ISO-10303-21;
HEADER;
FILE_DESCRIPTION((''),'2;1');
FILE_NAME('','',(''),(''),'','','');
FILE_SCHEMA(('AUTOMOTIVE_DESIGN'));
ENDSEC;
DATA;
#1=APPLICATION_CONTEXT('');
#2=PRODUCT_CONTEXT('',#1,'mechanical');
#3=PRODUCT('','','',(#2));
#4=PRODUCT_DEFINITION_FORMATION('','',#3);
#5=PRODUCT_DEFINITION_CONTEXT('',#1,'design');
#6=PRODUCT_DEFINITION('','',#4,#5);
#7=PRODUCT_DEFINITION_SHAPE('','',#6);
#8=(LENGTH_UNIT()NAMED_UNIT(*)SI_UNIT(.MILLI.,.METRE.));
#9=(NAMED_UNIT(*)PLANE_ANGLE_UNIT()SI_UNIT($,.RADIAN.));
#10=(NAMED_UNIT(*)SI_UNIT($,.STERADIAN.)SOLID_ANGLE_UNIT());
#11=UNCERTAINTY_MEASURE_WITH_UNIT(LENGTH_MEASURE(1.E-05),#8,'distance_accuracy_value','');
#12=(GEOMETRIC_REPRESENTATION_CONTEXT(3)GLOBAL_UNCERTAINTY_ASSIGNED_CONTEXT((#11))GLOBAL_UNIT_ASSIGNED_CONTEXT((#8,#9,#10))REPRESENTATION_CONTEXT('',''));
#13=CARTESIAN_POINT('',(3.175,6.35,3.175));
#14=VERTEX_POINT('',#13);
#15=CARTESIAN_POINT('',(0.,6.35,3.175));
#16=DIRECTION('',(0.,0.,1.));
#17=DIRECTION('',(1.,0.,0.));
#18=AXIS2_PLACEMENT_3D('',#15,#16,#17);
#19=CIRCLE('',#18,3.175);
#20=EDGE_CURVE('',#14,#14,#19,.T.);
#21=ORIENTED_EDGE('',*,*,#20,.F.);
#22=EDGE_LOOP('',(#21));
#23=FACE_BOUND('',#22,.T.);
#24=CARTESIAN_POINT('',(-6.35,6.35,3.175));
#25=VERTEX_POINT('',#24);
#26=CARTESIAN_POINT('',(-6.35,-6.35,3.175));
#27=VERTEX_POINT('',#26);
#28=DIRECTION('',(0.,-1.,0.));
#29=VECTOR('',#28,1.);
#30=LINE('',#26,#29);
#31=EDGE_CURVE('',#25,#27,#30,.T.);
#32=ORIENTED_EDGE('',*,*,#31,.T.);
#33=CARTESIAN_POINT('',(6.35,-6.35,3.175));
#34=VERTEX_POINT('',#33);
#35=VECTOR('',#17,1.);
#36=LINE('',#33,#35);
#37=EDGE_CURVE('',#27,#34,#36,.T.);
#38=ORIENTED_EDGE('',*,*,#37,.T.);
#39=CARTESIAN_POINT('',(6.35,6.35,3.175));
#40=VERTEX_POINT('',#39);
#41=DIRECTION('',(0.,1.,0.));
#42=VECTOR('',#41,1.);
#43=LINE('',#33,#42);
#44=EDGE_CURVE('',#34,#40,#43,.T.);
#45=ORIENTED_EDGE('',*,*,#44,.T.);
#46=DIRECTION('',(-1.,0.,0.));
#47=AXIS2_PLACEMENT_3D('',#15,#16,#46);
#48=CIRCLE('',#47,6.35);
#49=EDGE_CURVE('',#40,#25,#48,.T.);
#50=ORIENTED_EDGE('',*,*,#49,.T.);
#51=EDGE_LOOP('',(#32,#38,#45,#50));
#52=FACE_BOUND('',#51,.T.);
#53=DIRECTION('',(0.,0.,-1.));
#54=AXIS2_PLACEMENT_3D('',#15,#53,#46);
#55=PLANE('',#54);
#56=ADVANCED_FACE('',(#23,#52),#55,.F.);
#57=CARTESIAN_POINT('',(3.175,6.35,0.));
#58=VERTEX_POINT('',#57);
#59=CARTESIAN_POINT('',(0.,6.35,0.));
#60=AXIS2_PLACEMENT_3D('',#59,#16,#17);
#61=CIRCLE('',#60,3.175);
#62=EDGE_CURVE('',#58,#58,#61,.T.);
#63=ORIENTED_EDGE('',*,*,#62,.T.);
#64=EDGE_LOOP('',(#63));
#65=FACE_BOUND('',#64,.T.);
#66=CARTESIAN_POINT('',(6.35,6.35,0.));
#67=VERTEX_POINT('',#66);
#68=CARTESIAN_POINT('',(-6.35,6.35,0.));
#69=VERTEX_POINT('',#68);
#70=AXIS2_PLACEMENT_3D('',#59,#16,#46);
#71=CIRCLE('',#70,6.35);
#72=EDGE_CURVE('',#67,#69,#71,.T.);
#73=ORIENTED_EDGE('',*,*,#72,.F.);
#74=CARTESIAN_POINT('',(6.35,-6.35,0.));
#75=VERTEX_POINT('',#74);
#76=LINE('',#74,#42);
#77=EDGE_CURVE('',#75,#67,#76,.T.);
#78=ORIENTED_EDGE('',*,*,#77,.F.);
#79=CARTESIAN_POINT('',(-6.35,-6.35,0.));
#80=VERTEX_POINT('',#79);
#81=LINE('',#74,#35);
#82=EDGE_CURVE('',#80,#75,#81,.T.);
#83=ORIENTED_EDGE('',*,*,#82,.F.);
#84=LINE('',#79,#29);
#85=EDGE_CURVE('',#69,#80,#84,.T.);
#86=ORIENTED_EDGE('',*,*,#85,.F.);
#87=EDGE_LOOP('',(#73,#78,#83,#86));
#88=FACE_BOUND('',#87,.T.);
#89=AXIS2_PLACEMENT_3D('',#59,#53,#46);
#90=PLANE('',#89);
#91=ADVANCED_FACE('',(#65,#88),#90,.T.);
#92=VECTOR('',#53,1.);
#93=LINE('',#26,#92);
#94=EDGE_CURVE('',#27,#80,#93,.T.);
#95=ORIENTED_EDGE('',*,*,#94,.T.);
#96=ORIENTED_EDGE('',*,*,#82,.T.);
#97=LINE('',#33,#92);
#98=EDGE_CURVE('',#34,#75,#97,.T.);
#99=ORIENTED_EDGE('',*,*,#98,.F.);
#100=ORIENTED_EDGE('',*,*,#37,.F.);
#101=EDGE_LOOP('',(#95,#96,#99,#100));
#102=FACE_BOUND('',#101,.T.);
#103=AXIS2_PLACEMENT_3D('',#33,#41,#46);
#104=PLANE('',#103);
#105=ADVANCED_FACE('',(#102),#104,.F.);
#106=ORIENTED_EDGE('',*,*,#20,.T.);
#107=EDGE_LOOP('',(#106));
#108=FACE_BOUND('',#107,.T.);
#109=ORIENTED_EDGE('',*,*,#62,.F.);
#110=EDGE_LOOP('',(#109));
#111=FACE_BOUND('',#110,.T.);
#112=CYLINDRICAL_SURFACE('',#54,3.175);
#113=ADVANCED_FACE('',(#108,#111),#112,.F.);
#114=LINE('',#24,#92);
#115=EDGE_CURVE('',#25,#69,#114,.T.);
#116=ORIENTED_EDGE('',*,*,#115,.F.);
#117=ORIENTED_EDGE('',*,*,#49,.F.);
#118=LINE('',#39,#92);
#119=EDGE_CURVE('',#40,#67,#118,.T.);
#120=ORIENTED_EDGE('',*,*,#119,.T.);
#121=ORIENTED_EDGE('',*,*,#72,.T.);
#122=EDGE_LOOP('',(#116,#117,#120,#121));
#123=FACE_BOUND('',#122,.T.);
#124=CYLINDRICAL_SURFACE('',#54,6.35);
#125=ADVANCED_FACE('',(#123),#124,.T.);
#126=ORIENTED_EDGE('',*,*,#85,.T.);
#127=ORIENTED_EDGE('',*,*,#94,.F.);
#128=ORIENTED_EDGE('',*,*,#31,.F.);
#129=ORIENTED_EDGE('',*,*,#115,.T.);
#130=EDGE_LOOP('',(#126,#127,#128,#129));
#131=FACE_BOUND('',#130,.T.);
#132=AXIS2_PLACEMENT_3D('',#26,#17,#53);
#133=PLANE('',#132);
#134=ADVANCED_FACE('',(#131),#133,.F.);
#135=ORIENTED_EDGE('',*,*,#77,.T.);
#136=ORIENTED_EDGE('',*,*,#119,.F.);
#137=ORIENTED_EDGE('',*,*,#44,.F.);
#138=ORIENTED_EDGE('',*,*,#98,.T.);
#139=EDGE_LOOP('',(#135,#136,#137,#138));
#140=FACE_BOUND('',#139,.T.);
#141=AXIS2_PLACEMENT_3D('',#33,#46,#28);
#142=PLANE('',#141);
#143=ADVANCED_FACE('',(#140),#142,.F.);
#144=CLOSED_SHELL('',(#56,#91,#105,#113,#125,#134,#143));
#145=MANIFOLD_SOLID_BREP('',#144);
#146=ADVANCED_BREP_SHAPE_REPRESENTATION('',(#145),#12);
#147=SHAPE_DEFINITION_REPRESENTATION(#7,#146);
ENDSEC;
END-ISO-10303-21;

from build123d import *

# Parameters (mm, degrees)
SKETCH1_R           = 3.175
BOSS_EXTRUDE1_DEPTH = 3.175


with BuildPart() as part:
    # Sketch1 → Boss-Extrude1 (new body)
    with BuildSketch(Plane.XY):
        with BuildLine():
            Line((6.35, -6.35), (-6.35, -6.35))
            Line((-6.35, -6.35), (-6.35, 6.35))
            ThreePointArc((-6.35, 6.35), (0, 12.7), (6.35, 6.35))
            Line((6.35, 6.35), (6.35, -6.35))
        make_face()
        with Locations((0, 6.35)):
            Circle(SKETCH1_R, mode=Mode.SUBTRACT)
    extrude(amount=BOSS_EXTRUDE1_DEPTH)


solid = part.part
